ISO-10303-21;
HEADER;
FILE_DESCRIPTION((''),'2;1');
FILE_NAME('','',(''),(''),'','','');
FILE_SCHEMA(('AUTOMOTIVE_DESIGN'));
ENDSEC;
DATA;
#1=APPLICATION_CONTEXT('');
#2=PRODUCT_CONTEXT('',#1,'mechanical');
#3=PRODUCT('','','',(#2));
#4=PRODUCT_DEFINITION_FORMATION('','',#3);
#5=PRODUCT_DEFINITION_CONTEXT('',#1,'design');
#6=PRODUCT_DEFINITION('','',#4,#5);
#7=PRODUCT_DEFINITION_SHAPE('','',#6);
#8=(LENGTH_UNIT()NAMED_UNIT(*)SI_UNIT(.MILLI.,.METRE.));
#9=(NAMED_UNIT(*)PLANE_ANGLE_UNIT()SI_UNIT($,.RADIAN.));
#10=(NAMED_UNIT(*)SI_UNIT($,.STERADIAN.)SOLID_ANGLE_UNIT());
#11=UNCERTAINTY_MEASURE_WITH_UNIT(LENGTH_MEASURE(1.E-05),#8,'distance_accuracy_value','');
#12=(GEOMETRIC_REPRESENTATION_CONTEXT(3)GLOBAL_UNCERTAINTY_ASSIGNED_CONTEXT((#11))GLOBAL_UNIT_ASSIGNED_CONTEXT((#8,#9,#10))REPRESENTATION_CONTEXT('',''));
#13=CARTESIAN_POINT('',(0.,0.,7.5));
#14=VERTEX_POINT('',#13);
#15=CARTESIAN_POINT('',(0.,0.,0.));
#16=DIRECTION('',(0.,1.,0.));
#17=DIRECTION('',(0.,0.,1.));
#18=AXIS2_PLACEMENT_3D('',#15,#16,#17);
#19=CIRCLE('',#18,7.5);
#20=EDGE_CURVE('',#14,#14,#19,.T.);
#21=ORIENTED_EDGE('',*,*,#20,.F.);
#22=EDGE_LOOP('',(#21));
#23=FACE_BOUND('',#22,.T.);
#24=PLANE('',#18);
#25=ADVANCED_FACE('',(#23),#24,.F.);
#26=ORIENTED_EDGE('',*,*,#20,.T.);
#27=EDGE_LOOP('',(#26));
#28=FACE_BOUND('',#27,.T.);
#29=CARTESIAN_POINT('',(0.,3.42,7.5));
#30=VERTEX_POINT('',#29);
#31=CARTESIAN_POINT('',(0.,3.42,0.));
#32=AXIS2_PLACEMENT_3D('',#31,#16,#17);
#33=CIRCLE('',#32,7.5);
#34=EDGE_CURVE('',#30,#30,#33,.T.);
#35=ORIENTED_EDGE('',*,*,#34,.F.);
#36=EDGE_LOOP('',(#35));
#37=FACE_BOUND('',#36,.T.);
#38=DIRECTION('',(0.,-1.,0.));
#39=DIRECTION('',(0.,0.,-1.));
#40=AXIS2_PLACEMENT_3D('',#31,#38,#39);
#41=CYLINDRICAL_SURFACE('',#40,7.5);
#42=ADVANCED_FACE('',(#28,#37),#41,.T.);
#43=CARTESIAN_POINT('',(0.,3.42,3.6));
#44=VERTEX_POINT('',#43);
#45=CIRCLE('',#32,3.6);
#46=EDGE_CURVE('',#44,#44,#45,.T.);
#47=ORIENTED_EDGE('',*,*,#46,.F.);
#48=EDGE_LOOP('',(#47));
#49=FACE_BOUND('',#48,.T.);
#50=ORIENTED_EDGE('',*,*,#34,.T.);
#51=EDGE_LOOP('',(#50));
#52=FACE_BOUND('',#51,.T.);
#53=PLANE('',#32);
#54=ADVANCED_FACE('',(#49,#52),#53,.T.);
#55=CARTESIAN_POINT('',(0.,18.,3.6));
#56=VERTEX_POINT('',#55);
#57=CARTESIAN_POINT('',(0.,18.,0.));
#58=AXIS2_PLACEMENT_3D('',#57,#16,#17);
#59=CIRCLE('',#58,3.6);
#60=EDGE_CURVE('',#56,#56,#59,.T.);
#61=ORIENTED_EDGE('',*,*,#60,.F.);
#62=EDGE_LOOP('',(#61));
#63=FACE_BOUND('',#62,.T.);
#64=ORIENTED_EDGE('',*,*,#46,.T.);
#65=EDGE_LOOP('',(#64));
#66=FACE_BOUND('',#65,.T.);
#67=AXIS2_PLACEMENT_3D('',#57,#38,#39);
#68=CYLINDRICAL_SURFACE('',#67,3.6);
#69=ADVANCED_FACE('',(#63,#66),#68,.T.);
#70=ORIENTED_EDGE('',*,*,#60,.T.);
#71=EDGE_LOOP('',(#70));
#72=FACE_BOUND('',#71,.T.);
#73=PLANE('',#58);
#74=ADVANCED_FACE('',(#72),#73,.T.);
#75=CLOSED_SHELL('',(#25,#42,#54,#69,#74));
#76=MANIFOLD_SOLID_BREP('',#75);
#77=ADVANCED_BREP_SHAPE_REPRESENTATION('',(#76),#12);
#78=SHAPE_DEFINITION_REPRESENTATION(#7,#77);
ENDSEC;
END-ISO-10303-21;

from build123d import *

# Parameters (mm, degrees)
SKETCH1_R           = 7.5
SKETCH1_R_2         = 3.6
BOSS_EXTRUDE1_DEPTH = 3.42
SKETCH1_2_R         = 3.6
BOSS_EXTRUDE2_DEPTH = 18


with BuildPart() as part:
    # Sketch1 → Boss-Extrude1 (new body)
    with BuildSketch(Plane(origin=(0, 0, 0), x_dir=(1, 0, 0), z_dir=(0, 1, 0))):
        Circle(SKETCH1_R)
        Circle(SKETCH1_R_2, mode=Mode.SUBTRACT)
    extrude(amount=BOSS_EXTRUDE1_DEPTH)

    # Sketch1<2> → Boss-Extrude2 (add)
    with BuildSketch(Plane(origin=(0, 0, 0), x_dir=(1, 0, 0), z_dir=(0, 1, 0))):
        Circle(SKETCH1_2_R)
    extrude(amount=BOSS_EXTRUDE2_DEPTH)


solid = part.part
